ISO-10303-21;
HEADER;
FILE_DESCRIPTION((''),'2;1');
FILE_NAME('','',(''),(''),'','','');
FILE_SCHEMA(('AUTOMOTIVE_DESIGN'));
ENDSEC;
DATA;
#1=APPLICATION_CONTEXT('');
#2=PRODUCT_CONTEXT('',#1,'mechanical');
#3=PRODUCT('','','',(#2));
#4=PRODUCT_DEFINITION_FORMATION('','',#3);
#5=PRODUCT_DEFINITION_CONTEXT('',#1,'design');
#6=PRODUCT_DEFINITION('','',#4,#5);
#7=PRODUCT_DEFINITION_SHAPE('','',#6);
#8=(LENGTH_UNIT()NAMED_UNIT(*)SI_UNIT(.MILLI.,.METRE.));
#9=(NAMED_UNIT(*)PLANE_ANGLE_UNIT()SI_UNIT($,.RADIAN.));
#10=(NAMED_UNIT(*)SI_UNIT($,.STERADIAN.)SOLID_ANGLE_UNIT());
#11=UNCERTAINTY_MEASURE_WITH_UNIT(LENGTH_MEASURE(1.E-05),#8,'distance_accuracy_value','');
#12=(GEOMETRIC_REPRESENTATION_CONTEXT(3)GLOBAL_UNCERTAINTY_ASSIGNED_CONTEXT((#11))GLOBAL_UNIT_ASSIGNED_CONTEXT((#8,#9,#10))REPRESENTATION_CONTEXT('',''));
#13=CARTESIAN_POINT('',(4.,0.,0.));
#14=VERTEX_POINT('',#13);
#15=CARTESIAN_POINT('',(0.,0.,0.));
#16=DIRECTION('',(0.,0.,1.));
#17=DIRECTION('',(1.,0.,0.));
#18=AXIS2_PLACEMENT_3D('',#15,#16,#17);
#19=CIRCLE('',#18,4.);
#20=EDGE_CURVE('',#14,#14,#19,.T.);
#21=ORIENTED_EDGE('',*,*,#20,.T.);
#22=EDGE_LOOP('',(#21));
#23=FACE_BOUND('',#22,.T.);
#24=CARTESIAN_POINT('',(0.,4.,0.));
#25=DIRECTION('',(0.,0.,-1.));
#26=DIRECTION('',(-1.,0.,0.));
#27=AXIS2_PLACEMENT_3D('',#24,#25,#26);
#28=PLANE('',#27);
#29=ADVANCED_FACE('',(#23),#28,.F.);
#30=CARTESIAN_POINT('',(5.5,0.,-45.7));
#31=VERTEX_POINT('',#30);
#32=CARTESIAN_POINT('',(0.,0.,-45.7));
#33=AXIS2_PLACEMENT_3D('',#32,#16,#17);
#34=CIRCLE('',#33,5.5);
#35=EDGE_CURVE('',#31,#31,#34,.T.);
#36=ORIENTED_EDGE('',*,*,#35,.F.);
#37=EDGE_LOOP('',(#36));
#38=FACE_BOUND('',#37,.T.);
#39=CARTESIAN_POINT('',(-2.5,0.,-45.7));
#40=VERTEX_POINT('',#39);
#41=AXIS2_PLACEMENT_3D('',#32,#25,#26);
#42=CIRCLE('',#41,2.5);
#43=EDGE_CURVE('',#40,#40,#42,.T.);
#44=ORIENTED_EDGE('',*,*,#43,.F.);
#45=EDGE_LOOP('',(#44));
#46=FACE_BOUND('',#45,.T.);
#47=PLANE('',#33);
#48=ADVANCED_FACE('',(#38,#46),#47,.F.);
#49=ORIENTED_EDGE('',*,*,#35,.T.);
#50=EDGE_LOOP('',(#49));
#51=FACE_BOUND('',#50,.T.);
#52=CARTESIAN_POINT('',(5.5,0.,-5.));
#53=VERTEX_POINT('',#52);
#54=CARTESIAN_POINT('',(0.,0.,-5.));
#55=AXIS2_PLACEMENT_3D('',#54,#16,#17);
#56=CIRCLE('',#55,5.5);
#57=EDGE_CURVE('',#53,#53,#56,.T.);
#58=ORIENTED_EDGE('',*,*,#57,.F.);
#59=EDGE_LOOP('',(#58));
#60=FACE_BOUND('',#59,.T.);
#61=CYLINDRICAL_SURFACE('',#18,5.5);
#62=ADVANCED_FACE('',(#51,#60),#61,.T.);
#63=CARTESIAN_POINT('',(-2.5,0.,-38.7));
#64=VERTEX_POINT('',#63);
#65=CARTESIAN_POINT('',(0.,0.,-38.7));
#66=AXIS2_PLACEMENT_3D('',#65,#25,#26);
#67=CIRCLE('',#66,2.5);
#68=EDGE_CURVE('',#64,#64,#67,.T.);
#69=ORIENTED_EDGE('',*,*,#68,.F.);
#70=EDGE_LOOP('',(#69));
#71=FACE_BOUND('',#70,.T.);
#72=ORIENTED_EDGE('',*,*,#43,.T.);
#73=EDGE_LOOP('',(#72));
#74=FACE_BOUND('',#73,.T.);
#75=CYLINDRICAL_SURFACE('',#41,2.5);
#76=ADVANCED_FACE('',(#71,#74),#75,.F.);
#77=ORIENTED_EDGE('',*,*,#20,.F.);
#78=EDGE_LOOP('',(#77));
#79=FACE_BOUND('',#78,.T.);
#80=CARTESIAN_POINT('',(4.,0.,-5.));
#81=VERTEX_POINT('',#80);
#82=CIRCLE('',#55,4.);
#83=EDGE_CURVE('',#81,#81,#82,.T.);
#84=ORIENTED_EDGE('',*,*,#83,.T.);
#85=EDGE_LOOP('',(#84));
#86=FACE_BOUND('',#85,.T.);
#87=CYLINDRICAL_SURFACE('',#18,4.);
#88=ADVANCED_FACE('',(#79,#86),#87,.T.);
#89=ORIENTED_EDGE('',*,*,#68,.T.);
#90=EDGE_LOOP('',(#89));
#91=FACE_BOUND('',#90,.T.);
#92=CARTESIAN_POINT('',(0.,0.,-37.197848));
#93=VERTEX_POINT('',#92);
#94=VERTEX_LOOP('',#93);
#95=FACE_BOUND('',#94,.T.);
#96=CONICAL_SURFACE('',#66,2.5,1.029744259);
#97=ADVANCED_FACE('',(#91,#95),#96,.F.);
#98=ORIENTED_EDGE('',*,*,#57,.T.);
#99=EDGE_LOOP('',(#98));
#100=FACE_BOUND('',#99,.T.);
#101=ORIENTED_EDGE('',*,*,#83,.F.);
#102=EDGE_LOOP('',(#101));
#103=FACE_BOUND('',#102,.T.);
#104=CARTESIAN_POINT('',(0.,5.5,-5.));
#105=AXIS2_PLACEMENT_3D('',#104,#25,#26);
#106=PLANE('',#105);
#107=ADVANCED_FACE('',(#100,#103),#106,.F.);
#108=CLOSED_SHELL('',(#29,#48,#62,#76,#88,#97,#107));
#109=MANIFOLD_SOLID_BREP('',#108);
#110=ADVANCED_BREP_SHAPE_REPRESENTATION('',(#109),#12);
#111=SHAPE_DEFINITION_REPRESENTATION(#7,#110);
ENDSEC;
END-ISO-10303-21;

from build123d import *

# Parameters (mm, degrees)
TAP_DRILL_FOR_M6X1_0_TAP1_D     = 5
TAP_DRILL_FOR_M6X1_0_TAP1_DEPTH = 7
TAP_DRILL_FOR_M6X1_0_TAP1_TIP   = 1.502151548


with BuildPart() as part:
    # Sketch2 → Revolve1 (revolve)
    with BuildSketch(Plane(origin=(0, 0, 0), x_dir=(0, 0, -1), z_dir=(1, 0, 0))):
        Polygon((0, 0), (45.7, 0), (45.7, 5.5), (5, 5.5), (5, 4), (0, 4), align=None)
    revolve(axis=Axis((0, 0, 0), (0, 0, -1)))

    # Tap Drill for M6x1.0 Tap1
    with Locations(Plane(origin=(0, 0, -45.7), x_dir=(-1, 0, 0), z_dir=(0, 0, -1))):
        with Locations((0, 0)):
            Hole(TAP_DRILL_FOR_M6X1_0_TAP1_D / 2, depth=TAP_DRILL_FOR_M6X1_0_TAP1_DEPTH)
            with Locations((0, 0, -(TAP_DRILL_FOR_M6X1_0_TAP1_DEPTH + TAP_DRILL_FOR_M6X1_0_TAP1_TIP / 2))):  # 118° drill point
                Cone(0, TAP_DRILL_FOR_M6X1_0_TAP1_D / 2, TAP_DRILL_FOR_M6X1_0_TAP1_TIP, mode=Mode.SUBTRACT)


solid = part.part
